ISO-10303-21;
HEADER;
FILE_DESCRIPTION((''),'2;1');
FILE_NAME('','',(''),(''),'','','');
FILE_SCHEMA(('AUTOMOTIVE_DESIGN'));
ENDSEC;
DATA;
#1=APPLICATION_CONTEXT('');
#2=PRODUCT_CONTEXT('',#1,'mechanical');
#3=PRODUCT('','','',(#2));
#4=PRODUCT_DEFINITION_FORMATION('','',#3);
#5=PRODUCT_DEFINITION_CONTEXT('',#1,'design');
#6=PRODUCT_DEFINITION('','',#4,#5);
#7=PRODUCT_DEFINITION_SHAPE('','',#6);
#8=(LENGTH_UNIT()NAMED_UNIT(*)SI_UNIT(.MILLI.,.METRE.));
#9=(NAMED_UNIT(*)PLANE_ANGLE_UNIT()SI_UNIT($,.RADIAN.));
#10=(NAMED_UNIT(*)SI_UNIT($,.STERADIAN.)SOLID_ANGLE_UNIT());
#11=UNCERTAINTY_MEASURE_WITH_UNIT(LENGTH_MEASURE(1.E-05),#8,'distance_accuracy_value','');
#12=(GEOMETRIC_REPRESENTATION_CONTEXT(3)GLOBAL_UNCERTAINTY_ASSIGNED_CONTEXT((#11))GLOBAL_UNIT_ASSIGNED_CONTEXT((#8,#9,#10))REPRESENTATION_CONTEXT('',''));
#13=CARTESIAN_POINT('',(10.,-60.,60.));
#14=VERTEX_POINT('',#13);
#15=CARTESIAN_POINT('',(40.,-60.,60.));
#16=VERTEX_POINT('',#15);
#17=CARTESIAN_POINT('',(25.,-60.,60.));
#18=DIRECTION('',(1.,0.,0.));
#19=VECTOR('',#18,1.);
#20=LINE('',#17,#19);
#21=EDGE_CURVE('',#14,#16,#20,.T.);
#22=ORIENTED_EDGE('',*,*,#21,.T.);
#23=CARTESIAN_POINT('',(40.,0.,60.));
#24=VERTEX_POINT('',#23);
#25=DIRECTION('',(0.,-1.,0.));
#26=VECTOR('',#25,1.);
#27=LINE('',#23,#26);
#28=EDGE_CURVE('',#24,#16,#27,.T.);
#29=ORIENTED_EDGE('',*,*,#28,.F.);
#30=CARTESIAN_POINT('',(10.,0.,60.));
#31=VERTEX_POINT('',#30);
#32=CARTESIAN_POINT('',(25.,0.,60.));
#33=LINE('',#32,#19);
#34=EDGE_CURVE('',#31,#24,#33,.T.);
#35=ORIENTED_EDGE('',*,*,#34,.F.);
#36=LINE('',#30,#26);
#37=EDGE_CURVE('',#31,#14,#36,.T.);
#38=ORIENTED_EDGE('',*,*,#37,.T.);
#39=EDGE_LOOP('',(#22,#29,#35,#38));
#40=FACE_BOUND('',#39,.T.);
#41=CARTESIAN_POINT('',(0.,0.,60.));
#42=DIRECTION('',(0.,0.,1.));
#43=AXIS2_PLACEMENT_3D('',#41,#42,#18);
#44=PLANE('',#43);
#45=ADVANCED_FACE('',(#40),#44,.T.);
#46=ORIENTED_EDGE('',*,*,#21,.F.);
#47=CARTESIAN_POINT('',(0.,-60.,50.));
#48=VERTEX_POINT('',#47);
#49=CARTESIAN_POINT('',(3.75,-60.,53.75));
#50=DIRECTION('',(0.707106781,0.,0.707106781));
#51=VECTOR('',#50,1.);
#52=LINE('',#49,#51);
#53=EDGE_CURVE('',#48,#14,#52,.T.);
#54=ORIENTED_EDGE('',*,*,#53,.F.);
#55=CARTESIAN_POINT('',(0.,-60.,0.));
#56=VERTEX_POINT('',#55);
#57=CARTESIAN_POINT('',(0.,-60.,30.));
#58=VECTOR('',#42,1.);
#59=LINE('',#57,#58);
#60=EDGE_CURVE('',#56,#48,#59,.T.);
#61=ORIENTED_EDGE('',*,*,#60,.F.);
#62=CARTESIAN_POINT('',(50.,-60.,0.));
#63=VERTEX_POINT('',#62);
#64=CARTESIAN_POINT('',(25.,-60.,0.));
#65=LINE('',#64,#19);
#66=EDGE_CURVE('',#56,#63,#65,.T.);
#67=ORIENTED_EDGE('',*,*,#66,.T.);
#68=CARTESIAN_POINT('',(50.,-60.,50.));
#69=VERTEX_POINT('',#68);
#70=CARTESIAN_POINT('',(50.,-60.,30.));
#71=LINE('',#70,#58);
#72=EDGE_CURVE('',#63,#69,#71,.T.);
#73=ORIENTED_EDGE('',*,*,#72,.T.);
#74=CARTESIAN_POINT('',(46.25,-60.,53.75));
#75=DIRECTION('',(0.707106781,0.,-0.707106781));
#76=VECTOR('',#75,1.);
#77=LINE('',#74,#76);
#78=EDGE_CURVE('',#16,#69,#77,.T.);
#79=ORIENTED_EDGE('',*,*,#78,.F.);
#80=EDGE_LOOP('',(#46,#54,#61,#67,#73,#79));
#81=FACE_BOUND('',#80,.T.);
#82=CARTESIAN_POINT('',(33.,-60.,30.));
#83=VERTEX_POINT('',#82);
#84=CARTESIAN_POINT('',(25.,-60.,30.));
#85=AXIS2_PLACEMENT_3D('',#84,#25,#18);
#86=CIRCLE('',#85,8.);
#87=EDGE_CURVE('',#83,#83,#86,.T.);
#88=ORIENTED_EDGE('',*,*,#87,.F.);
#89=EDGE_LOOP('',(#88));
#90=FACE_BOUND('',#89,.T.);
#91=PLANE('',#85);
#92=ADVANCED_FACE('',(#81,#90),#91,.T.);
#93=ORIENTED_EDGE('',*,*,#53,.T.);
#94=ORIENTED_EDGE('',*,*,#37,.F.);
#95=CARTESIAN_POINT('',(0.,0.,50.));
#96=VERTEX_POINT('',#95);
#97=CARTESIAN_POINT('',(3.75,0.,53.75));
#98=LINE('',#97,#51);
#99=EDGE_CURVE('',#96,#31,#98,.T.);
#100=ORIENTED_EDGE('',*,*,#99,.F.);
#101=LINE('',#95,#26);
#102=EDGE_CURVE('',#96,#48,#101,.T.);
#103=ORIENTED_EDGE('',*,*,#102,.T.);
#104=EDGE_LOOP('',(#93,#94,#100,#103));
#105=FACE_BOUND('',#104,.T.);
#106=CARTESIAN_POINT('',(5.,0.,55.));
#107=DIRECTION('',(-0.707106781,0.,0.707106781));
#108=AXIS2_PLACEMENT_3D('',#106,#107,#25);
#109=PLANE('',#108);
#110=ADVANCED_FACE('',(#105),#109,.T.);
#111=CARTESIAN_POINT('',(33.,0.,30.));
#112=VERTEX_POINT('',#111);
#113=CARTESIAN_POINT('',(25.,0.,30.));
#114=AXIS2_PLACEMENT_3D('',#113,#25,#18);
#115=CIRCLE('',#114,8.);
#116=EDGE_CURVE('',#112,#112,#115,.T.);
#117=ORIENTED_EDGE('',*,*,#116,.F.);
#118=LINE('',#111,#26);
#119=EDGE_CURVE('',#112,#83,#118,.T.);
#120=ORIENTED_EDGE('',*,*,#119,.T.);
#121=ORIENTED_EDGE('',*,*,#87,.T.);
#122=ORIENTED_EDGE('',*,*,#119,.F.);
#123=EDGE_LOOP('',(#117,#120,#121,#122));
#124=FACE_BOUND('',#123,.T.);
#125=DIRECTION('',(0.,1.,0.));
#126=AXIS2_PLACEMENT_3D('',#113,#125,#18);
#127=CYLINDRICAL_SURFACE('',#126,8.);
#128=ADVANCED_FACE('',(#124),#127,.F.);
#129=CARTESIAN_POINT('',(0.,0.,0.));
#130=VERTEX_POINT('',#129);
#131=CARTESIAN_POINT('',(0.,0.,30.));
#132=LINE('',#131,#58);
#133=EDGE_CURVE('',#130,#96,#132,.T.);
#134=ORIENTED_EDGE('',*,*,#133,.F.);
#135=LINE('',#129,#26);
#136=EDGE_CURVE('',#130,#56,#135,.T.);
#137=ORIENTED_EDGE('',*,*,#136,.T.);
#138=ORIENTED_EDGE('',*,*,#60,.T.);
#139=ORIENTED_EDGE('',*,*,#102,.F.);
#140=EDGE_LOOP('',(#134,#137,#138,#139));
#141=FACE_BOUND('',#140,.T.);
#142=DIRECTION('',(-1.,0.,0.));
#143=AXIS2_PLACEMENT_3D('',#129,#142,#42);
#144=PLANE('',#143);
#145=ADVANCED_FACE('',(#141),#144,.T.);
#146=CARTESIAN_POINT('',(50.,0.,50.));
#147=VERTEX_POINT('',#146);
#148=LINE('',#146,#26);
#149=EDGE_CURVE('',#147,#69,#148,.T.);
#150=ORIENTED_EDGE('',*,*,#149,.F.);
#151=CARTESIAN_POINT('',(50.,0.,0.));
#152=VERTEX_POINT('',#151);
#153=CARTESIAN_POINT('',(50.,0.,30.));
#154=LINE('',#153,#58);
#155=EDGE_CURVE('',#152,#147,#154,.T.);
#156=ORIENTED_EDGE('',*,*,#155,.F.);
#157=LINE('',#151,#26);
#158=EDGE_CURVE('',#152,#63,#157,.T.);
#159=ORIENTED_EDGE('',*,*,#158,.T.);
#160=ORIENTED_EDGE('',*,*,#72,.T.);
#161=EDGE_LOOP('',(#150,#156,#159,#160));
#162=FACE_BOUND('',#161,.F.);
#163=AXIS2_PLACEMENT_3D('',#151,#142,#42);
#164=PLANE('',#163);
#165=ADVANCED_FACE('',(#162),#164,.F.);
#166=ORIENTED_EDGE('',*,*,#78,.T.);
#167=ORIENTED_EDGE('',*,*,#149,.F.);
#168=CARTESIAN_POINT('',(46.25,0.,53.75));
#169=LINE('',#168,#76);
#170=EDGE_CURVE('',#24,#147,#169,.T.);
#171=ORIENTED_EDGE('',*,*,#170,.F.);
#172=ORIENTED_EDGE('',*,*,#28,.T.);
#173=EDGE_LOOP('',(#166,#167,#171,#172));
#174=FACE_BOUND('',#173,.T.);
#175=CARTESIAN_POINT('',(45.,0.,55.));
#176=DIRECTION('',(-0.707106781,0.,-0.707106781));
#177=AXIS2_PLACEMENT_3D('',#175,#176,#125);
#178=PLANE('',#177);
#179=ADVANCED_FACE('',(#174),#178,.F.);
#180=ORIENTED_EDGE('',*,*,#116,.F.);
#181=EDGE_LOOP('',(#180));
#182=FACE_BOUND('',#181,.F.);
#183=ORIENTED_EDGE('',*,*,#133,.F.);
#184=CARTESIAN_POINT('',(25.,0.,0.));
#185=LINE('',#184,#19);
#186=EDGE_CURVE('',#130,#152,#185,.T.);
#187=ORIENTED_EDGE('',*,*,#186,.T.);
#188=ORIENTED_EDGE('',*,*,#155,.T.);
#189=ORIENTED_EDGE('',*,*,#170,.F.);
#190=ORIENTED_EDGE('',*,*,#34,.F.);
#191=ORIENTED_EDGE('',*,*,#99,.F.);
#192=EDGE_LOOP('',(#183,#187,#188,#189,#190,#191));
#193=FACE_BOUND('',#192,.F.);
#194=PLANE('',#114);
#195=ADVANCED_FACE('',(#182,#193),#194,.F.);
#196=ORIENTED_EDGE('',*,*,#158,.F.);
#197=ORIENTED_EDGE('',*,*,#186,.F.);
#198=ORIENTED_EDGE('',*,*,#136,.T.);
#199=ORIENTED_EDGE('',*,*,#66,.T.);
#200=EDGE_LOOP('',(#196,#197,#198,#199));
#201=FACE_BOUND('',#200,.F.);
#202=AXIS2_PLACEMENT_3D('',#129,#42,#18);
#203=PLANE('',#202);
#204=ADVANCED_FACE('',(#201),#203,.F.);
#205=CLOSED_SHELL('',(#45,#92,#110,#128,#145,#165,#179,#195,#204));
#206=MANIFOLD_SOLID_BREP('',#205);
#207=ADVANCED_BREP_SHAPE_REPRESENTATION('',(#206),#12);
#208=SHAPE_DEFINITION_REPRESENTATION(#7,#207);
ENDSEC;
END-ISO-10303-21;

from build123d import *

# Parameters (mm, degrees)
F0_W     = 50
F0_H     = 60
F0_R     = 8
F1_DEPTH = 60
F2_SIZE  = 10


with BuildPart() as f1:
    # F0 (on Front) → F1 (new body)
    with BuildSketch(Plane.XZ):
        with Locations((25, 30)):
            Rectangle(F0_W, F0_H)
        with Locations((25, 30)):
            Circle(F0_R, mode=Mode.SUBTRACT)
    extrude(amount=F1_DEPTH)

    # F2
    f2_edges = [f1.edges().sort_by_distance(p)[0] for p in [
        (50, -30, 60),
        (0, -30, 60),
    ]]
    chamfer(f2_edges, length=F2_SIZE)


solid = f1.part
